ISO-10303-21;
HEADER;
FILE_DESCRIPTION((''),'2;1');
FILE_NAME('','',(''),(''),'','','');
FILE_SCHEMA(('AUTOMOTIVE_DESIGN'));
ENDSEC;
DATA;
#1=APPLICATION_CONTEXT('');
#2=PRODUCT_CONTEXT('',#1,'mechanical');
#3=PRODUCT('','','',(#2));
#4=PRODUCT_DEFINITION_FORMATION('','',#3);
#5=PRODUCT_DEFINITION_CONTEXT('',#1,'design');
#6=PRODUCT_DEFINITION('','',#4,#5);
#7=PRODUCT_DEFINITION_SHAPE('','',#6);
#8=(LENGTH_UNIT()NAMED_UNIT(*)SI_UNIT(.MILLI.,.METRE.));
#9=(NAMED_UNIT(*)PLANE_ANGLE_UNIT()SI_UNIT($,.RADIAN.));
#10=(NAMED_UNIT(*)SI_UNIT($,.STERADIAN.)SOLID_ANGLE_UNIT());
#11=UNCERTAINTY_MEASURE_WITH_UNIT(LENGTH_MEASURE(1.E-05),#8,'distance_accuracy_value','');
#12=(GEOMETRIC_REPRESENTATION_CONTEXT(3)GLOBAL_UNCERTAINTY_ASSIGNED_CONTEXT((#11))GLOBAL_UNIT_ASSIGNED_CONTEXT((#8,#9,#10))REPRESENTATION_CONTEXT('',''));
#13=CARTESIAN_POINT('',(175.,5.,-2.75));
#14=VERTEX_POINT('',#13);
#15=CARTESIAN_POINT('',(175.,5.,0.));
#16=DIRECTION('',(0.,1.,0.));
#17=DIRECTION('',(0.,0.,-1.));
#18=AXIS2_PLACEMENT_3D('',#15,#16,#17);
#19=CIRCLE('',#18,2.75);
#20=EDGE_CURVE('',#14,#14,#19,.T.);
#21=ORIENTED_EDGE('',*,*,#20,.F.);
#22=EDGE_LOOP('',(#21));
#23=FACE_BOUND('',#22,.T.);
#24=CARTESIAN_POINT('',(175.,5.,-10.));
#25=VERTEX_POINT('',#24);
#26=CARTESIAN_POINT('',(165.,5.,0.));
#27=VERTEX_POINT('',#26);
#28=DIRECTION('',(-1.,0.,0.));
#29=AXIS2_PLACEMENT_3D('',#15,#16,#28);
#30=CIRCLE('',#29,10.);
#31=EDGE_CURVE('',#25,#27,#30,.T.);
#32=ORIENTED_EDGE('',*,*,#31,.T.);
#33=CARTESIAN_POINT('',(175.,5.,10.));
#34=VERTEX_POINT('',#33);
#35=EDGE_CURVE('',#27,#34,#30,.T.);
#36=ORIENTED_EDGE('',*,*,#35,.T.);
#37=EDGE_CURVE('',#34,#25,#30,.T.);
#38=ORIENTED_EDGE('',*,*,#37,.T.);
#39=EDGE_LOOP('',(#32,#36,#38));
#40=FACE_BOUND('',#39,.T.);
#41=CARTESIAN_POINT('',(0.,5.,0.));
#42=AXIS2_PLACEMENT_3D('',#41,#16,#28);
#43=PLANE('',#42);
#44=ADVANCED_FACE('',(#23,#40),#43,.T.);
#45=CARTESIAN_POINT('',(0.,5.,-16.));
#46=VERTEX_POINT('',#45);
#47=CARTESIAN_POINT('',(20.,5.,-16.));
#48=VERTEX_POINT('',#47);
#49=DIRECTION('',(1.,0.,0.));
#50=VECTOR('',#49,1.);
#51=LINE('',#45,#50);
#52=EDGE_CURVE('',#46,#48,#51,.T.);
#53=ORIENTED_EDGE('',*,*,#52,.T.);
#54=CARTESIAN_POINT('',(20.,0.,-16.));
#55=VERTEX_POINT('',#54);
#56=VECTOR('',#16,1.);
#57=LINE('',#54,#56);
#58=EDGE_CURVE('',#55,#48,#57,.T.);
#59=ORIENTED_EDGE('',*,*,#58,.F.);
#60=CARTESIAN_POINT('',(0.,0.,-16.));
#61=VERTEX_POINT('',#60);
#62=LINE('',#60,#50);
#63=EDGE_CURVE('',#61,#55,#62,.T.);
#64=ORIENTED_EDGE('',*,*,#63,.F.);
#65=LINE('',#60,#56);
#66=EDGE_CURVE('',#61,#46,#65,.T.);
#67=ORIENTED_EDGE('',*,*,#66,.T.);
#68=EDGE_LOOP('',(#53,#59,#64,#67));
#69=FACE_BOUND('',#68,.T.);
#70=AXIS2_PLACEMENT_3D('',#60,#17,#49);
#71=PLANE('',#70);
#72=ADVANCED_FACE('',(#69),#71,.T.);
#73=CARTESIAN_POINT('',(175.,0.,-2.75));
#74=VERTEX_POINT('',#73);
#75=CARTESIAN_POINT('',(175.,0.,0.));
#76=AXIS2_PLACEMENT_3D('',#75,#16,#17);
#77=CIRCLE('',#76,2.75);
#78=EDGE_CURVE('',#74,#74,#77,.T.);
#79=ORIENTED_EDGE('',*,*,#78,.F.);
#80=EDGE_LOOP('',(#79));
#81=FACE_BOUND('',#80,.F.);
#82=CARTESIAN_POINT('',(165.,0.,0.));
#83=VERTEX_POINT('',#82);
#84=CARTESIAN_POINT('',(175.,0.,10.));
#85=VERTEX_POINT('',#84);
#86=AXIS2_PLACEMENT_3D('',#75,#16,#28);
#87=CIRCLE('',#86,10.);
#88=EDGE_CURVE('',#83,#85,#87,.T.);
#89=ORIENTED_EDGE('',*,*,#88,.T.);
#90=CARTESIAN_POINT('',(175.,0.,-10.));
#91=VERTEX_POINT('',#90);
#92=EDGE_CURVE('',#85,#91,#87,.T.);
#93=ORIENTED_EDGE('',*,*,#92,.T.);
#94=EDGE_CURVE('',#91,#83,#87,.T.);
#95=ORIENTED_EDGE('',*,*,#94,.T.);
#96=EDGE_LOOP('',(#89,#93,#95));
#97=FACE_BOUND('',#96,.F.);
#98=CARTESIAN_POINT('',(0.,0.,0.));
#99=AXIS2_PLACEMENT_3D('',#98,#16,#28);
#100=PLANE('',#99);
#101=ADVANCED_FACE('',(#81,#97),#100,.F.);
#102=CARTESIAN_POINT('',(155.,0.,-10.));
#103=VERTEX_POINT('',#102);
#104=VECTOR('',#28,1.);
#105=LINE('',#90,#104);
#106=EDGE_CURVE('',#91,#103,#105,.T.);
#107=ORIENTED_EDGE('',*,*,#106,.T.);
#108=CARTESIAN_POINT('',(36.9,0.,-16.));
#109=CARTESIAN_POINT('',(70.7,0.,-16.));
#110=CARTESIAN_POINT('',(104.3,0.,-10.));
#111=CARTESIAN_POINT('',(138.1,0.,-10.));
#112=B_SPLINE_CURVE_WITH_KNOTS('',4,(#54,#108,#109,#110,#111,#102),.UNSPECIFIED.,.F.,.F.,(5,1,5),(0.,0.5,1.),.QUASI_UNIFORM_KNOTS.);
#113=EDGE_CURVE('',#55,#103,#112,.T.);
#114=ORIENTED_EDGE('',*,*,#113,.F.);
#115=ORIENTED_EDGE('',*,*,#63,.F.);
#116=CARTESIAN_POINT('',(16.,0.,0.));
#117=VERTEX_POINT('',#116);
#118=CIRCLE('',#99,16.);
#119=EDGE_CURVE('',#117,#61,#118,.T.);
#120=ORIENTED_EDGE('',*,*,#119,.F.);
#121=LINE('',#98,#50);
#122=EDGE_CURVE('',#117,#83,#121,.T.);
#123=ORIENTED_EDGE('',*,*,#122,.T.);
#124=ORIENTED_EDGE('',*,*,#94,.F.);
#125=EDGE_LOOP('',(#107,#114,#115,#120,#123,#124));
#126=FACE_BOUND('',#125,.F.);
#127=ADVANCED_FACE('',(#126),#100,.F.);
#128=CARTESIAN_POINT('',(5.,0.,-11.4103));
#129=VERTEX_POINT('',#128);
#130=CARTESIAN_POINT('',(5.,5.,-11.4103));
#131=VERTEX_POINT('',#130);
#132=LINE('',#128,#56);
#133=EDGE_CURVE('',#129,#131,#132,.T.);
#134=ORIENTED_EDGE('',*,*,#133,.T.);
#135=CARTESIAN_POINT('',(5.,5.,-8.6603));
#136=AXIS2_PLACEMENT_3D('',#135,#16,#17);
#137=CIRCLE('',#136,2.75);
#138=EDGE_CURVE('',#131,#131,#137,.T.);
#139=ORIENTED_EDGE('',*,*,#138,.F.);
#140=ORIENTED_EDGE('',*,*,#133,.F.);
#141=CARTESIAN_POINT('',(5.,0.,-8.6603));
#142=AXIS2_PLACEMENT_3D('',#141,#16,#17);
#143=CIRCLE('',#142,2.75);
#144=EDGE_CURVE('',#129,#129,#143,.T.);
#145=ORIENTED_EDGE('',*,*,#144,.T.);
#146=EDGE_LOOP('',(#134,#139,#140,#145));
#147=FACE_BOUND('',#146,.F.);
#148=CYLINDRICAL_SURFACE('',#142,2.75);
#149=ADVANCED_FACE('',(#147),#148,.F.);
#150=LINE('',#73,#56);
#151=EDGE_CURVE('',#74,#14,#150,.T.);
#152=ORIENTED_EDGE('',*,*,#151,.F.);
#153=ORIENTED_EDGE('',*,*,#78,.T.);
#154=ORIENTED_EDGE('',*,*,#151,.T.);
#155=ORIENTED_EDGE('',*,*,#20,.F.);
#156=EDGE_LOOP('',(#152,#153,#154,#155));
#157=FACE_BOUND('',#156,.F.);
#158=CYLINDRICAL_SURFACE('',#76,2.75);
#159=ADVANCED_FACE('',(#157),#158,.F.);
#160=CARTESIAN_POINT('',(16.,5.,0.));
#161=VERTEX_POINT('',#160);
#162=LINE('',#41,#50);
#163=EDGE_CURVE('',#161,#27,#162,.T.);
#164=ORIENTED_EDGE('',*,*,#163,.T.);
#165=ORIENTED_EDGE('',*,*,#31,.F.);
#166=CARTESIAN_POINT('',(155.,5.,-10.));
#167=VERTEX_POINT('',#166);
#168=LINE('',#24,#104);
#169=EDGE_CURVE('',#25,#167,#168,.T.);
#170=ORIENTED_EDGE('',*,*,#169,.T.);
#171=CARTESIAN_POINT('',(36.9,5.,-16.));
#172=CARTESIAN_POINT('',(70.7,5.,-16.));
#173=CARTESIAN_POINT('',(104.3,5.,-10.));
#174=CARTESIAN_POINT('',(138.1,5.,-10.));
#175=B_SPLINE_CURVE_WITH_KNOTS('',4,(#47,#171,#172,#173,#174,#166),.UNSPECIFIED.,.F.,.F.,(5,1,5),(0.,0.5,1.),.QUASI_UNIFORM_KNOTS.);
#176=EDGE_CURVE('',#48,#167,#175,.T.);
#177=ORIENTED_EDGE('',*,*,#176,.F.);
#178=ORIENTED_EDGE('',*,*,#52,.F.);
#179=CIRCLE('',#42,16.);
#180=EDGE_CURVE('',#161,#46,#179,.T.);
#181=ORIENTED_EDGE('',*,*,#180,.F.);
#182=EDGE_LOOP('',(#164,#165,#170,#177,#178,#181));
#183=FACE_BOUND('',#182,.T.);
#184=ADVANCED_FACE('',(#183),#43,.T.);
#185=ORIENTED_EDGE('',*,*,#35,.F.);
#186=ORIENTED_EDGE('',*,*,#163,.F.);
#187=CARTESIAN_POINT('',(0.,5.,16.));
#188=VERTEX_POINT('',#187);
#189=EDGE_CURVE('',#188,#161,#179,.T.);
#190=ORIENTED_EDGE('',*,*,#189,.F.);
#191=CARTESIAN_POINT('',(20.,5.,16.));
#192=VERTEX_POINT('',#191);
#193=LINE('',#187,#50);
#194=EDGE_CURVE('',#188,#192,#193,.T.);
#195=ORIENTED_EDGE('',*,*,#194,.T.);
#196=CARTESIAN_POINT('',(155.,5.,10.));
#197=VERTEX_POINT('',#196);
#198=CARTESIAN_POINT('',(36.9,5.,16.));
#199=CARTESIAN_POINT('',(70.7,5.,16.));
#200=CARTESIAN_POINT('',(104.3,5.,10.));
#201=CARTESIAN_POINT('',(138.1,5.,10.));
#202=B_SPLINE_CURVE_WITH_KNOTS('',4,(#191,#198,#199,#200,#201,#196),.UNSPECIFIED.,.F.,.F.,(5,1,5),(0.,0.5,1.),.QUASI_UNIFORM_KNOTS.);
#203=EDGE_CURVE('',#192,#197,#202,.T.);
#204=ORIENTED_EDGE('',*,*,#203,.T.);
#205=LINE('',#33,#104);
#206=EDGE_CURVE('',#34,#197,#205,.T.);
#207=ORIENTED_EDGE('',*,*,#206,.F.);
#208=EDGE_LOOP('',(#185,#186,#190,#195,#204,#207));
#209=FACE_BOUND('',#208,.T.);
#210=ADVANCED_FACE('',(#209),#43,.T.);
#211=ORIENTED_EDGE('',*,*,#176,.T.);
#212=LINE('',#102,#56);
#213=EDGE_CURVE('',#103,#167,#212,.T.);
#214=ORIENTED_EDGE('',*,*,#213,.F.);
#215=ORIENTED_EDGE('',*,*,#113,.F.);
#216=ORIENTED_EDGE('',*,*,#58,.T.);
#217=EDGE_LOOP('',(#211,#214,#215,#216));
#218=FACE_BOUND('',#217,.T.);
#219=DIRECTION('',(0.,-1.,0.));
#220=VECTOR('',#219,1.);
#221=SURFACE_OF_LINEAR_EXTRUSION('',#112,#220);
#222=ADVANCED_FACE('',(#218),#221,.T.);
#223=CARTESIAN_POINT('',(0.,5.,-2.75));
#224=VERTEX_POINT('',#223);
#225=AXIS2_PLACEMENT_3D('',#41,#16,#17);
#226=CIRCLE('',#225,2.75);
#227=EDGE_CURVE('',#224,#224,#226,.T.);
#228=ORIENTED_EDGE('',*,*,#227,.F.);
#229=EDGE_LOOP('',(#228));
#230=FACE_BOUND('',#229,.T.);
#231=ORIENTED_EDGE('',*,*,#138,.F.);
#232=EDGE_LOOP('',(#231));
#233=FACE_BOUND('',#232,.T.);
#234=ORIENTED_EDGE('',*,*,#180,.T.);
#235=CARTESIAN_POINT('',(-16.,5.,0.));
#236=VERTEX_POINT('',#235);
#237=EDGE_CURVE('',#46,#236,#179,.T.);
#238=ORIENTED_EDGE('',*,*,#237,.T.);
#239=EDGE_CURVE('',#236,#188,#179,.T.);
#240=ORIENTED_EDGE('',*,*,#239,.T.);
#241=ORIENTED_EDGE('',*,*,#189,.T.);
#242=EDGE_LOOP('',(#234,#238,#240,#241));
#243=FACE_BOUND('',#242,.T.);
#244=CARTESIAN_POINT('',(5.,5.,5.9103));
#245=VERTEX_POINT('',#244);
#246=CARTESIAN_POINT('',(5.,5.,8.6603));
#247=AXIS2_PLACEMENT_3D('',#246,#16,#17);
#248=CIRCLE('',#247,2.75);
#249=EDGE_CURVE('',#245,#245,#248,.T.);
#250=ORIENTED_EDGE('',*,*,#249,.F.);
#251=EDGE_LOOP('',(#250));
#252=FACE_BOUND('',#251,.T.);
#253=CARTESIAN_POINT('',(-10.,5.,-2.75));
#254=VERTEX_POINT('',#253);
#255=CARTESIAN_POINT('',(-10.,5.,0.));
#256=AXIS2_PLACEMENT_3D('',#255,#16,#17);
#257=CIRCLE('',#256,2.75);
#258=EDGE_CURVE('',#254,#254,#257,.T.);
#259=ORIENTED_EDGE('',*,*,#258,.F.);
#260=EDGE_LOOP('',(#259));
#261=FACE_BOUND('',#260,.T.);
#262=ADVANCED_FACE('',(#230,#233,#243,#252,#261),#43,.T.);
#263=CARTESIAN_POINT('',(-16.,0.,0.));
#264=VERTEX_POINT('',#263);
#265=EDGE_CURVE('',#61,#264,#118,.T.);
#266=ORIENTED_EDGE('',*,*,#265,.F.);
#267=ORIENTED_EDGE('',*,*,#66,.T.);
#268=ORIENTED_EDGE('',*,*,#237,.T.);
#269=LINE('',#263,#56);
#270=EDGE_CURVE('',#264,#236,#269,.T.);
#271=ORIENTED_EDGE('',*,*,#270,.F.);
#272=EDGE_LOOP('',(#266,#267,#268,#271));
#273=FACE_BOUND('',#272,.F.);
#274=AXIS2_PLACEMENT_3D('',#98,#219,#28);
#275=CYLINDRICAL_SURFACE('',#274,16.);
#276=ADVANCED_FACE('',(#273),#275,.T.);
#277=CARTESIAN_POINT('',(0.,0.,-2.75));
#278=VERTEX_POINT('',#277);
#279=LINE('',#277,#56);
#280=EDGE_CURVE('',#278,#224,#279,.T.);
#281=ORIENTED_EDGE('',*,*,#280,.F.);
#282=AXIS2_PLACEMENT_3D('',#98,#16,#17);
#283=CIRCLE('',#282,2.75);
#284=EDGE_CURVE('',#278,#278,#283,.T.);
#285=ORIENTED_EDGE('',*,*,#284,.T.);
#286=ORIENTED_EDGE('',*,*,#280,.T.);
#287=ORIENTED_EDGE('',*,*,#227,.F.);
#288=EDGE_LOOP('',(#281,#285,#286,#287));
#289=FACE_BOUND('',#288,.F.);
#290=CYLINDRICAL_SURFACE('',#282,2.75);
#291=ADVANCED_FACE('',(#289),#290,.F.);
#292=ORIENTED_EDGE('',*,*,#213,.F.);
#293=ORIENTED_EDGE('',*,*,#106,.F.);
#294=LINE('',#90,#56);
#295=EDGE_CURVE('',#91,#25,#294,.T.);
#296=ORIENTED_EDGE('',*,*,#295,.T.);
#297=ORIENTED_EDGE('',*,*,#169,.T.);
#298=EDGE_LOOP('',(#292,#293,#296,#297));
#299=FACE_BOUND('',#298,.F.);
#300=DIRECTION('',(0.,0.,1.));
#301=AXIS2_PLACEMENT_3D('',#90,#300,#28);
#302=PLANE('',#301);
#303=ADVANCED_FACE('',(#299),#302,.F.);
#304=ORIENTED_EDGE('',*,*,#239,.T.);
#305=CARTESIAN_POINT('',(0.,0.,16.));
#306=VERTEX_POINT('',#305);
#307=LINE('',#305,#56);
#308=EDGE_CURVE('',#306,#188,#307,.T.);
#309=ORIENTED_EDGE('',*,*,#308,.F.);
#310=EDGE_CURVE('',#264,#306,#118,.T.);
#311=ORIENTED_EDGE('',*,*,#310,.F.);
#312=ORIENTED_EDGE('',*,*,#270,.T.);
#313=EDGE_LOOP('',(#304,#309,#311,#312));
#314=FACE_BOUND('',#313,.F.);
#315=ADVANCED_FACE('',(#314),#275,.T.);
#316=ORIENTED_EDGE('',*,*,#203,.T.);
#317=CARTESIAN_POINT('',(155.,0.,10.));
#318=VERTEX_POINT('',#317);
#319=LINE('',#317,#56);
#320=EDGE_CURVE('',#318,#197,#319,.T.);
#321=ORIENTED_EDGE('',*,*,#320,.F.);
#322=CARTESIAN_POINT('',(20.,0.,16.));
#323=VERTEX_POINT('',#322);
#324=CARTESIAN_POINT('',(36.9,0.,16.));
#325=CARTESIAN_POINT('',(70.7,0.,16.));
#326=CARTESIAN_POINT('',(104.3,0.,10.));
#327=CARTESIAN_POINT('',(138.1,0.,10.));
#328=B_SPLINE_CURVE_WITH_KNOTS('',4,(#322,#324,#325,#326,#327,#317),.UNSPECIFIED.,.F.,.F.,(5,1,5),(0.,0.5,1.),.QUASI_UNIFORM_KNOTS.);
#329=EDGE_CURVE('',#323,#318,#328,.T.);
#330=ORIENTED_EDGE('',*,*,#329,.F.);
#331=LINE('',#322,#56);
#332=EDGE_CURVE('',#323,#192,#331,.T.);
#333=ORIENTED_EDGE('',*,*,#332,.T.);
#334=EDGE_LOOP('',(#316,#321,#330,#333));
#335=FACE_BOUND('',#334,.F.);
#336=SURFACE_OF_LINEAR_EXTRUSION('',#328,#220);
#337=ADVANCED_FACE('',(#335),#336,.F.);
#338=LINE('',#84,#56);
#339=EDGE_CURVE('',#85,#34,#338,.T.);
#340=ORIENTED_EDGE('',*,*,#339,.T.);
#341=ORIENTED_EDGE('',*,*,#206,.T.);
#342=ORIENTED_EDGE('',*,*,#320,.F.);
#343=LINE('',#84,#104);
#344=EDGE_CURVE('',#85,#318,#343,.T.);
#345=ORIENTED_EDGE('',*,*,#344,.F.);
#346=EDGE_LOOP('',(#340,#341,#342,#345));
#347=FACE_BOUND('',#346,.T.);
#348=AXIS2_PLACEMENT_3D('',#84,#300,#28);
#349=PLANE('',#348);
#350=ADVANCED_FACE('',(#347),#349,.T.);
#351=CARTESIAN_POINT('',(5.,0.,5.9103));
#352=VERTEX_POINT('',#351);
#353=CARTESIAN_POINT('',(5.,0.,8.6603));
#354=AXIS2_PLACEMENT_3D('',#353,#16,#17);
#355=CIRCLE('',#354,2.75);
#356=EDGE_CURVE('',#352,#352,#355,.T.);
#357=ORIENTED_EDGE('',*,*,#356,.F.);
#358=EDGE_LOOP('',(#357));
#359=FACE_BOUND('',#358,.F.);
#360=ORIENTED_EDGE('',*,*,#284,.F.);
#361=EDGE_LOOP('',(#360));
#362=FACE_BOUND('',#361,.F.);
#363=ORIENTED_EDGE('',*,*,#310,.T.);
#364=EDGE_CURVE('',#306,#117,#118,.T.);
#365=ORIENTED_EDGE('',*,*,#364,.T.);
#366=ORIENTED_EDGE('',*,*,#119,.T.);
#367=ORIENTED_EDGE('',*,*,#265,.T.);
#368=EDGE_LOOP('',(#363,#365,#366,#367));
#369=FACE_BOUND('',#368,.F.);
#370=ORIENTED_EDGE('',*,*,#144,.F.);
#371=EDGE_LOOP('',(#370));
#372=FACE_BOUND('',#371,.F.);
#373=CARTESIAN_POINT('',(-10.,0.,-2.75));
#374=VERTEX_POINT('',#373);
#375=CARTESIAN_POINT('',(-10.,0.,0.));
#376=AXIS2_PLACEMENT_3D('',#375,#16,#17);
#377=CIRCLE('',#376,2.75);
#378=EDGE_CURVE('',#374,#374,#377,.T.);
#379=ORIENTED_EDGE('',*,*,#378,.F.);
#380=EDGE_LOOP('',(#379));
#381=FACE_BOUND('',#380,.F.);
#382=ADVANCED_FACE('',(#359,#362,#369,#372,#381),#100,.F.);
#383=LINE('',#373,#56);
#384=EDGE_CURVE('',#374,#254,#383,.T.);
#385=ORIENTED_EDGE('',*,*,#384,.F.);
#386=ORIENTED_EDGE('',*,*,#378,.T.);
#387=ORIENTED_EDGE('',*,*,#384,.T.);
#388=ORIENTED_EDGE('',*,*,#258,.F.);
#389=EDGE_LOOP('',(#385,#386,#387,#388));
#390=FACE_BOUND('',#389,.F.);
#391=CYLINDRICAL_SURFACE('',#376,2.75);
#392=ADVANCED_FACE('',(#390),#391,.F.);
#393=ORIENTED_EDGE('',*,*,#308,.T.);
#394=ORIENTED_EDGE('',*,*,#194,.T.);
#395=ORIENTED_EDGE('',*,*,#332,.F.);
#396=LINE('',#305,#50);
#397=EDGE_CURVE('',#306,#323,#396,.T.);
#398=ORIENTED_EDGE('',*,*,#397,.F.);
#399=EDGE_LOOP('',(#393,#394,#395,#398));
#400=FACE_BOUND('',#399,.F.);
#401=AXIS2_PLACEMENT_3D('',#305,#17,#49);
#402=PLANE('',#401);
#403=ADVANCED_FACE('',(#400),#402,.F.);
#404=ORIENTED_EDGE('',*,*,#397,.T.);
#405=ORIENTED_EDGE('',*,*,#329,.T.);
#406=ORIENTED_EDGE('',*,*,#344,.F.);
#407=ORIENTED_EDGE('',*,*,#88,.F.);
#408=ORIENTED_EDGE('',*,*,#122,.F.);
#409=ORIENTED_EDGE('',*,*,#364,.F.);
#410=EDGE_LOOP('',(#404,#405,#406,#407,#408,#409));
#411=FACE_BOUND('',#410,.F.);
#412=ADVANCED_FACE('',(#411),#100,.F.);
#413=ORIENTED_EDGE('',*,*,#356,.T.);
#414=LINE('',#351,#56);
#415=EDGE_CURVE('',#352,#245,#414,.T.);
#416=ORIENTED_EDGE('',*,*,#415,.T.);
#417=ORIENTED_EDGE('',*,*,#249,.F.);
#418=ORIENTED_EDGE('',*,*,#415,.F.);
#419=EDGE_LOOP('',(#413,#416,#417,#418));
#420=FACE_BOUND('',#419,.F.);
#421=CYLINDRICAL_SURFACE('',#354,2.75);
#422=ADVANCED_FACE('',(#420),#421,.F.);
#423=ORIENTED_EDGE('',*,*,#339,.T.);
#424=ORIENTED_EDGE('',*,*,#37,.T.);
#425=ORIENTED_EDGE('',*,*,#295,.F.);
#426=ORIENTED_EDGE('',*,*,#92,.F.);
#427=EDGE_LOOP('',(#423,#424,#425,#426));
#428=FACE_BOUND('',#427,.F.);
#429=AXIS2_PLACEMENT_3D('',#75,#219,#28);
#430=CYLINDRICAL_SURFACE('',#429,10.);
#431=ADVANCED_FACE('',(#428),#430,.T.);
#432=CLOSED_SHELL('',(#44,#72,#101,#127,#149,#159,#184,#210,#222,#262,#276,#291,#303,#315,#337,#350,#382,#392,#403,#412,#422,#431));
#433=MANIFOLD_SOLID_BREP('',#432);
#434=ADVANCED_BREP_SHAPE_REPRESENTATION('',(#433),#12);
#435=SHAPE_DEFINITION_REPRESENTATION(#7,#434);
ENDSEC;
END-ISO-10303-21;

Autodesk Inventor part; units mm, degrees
ref_plane "YZ Plane" through (0, 0, 0) normal (1, 0, 0) x (0, 1, 0)
ref_plane "XZ Plane" through (0, 0, 0) normal (0, 1, 0) x (-1, 0, 0)
ref_plane "XY Plane" through (0, 0, 0) normal (0, 0, 1) x (1, 0, 0)
sketch "Sketch2" plane through (0, 0, 0) normal (0, 1, 0) x (-1, 0, 0)
  circle A0 centre (0, 0) radius 16
  circle A1 centre (-175, 0) radius 10
  line L0 (0, 0) -> (-175, 0)
  line L1 (0, 16) -> (-20, 16)
  line L2 (-175, 10) -> (-155, 10)
  spline S0 degree 4 poles (-20, 16) (-36.9, 16) (-70.7, 16) (-104.3, 10) (-138.1, 10) (-155, 10) knots 0 0 0 0 0 0.5 1 1 1 1 1
  line L3 (0, 0) -> (0, 16) construction
  line L4 (-175, 0) -> (-175, 10) construction
  line L5 (0, -16) -> (-20, -16)
  line L6 (-175, -10) -> (-155, -10)
  spline S1 degree 4 poles (-20, -16) (-36.9, -16) (-70.7, -16) (-104.3, -10) (-138.1, -10) (-155, -10) knots 0 0 0 0 0 0.5 1 1 1 1 1
  line L7 (0, 0) -> (10, 0) construction
  point P0 (0, -16)
  point P1 (-5, 8.6603)
  point P2 (-5, -8.6603)
  dimension "d0" = 32
  dimension "d1" = 20
  dimension "d2" = 175
  dimension "d3" = 20
  dimension "d4" = 20
  dimension "d26" = 10
  dimension "d29" = 360
extrude "Extrusion1" add sketch "Sketch2" along normal blind 5
hole "Hole1" at (-10, 0, 0) at (5, 0, 8.6603) at (5, 0, -8.6603) direction (0, 1, 0) diameter 5.5 end through all clearance for "Socket Head Cap Screw" size "M5" standard "Ansi Metric M Profile"
hole "Hole2" at (175, 0, 0) at (0, 0, 0) direction (0, 1, 0) diameter 5.5 end through all clearance for "Socket Head Cap Screw" size "M5" standard "Ansi Metric M Profile"
properties part number "RT_ARM_MC_002" material "CFRP"
